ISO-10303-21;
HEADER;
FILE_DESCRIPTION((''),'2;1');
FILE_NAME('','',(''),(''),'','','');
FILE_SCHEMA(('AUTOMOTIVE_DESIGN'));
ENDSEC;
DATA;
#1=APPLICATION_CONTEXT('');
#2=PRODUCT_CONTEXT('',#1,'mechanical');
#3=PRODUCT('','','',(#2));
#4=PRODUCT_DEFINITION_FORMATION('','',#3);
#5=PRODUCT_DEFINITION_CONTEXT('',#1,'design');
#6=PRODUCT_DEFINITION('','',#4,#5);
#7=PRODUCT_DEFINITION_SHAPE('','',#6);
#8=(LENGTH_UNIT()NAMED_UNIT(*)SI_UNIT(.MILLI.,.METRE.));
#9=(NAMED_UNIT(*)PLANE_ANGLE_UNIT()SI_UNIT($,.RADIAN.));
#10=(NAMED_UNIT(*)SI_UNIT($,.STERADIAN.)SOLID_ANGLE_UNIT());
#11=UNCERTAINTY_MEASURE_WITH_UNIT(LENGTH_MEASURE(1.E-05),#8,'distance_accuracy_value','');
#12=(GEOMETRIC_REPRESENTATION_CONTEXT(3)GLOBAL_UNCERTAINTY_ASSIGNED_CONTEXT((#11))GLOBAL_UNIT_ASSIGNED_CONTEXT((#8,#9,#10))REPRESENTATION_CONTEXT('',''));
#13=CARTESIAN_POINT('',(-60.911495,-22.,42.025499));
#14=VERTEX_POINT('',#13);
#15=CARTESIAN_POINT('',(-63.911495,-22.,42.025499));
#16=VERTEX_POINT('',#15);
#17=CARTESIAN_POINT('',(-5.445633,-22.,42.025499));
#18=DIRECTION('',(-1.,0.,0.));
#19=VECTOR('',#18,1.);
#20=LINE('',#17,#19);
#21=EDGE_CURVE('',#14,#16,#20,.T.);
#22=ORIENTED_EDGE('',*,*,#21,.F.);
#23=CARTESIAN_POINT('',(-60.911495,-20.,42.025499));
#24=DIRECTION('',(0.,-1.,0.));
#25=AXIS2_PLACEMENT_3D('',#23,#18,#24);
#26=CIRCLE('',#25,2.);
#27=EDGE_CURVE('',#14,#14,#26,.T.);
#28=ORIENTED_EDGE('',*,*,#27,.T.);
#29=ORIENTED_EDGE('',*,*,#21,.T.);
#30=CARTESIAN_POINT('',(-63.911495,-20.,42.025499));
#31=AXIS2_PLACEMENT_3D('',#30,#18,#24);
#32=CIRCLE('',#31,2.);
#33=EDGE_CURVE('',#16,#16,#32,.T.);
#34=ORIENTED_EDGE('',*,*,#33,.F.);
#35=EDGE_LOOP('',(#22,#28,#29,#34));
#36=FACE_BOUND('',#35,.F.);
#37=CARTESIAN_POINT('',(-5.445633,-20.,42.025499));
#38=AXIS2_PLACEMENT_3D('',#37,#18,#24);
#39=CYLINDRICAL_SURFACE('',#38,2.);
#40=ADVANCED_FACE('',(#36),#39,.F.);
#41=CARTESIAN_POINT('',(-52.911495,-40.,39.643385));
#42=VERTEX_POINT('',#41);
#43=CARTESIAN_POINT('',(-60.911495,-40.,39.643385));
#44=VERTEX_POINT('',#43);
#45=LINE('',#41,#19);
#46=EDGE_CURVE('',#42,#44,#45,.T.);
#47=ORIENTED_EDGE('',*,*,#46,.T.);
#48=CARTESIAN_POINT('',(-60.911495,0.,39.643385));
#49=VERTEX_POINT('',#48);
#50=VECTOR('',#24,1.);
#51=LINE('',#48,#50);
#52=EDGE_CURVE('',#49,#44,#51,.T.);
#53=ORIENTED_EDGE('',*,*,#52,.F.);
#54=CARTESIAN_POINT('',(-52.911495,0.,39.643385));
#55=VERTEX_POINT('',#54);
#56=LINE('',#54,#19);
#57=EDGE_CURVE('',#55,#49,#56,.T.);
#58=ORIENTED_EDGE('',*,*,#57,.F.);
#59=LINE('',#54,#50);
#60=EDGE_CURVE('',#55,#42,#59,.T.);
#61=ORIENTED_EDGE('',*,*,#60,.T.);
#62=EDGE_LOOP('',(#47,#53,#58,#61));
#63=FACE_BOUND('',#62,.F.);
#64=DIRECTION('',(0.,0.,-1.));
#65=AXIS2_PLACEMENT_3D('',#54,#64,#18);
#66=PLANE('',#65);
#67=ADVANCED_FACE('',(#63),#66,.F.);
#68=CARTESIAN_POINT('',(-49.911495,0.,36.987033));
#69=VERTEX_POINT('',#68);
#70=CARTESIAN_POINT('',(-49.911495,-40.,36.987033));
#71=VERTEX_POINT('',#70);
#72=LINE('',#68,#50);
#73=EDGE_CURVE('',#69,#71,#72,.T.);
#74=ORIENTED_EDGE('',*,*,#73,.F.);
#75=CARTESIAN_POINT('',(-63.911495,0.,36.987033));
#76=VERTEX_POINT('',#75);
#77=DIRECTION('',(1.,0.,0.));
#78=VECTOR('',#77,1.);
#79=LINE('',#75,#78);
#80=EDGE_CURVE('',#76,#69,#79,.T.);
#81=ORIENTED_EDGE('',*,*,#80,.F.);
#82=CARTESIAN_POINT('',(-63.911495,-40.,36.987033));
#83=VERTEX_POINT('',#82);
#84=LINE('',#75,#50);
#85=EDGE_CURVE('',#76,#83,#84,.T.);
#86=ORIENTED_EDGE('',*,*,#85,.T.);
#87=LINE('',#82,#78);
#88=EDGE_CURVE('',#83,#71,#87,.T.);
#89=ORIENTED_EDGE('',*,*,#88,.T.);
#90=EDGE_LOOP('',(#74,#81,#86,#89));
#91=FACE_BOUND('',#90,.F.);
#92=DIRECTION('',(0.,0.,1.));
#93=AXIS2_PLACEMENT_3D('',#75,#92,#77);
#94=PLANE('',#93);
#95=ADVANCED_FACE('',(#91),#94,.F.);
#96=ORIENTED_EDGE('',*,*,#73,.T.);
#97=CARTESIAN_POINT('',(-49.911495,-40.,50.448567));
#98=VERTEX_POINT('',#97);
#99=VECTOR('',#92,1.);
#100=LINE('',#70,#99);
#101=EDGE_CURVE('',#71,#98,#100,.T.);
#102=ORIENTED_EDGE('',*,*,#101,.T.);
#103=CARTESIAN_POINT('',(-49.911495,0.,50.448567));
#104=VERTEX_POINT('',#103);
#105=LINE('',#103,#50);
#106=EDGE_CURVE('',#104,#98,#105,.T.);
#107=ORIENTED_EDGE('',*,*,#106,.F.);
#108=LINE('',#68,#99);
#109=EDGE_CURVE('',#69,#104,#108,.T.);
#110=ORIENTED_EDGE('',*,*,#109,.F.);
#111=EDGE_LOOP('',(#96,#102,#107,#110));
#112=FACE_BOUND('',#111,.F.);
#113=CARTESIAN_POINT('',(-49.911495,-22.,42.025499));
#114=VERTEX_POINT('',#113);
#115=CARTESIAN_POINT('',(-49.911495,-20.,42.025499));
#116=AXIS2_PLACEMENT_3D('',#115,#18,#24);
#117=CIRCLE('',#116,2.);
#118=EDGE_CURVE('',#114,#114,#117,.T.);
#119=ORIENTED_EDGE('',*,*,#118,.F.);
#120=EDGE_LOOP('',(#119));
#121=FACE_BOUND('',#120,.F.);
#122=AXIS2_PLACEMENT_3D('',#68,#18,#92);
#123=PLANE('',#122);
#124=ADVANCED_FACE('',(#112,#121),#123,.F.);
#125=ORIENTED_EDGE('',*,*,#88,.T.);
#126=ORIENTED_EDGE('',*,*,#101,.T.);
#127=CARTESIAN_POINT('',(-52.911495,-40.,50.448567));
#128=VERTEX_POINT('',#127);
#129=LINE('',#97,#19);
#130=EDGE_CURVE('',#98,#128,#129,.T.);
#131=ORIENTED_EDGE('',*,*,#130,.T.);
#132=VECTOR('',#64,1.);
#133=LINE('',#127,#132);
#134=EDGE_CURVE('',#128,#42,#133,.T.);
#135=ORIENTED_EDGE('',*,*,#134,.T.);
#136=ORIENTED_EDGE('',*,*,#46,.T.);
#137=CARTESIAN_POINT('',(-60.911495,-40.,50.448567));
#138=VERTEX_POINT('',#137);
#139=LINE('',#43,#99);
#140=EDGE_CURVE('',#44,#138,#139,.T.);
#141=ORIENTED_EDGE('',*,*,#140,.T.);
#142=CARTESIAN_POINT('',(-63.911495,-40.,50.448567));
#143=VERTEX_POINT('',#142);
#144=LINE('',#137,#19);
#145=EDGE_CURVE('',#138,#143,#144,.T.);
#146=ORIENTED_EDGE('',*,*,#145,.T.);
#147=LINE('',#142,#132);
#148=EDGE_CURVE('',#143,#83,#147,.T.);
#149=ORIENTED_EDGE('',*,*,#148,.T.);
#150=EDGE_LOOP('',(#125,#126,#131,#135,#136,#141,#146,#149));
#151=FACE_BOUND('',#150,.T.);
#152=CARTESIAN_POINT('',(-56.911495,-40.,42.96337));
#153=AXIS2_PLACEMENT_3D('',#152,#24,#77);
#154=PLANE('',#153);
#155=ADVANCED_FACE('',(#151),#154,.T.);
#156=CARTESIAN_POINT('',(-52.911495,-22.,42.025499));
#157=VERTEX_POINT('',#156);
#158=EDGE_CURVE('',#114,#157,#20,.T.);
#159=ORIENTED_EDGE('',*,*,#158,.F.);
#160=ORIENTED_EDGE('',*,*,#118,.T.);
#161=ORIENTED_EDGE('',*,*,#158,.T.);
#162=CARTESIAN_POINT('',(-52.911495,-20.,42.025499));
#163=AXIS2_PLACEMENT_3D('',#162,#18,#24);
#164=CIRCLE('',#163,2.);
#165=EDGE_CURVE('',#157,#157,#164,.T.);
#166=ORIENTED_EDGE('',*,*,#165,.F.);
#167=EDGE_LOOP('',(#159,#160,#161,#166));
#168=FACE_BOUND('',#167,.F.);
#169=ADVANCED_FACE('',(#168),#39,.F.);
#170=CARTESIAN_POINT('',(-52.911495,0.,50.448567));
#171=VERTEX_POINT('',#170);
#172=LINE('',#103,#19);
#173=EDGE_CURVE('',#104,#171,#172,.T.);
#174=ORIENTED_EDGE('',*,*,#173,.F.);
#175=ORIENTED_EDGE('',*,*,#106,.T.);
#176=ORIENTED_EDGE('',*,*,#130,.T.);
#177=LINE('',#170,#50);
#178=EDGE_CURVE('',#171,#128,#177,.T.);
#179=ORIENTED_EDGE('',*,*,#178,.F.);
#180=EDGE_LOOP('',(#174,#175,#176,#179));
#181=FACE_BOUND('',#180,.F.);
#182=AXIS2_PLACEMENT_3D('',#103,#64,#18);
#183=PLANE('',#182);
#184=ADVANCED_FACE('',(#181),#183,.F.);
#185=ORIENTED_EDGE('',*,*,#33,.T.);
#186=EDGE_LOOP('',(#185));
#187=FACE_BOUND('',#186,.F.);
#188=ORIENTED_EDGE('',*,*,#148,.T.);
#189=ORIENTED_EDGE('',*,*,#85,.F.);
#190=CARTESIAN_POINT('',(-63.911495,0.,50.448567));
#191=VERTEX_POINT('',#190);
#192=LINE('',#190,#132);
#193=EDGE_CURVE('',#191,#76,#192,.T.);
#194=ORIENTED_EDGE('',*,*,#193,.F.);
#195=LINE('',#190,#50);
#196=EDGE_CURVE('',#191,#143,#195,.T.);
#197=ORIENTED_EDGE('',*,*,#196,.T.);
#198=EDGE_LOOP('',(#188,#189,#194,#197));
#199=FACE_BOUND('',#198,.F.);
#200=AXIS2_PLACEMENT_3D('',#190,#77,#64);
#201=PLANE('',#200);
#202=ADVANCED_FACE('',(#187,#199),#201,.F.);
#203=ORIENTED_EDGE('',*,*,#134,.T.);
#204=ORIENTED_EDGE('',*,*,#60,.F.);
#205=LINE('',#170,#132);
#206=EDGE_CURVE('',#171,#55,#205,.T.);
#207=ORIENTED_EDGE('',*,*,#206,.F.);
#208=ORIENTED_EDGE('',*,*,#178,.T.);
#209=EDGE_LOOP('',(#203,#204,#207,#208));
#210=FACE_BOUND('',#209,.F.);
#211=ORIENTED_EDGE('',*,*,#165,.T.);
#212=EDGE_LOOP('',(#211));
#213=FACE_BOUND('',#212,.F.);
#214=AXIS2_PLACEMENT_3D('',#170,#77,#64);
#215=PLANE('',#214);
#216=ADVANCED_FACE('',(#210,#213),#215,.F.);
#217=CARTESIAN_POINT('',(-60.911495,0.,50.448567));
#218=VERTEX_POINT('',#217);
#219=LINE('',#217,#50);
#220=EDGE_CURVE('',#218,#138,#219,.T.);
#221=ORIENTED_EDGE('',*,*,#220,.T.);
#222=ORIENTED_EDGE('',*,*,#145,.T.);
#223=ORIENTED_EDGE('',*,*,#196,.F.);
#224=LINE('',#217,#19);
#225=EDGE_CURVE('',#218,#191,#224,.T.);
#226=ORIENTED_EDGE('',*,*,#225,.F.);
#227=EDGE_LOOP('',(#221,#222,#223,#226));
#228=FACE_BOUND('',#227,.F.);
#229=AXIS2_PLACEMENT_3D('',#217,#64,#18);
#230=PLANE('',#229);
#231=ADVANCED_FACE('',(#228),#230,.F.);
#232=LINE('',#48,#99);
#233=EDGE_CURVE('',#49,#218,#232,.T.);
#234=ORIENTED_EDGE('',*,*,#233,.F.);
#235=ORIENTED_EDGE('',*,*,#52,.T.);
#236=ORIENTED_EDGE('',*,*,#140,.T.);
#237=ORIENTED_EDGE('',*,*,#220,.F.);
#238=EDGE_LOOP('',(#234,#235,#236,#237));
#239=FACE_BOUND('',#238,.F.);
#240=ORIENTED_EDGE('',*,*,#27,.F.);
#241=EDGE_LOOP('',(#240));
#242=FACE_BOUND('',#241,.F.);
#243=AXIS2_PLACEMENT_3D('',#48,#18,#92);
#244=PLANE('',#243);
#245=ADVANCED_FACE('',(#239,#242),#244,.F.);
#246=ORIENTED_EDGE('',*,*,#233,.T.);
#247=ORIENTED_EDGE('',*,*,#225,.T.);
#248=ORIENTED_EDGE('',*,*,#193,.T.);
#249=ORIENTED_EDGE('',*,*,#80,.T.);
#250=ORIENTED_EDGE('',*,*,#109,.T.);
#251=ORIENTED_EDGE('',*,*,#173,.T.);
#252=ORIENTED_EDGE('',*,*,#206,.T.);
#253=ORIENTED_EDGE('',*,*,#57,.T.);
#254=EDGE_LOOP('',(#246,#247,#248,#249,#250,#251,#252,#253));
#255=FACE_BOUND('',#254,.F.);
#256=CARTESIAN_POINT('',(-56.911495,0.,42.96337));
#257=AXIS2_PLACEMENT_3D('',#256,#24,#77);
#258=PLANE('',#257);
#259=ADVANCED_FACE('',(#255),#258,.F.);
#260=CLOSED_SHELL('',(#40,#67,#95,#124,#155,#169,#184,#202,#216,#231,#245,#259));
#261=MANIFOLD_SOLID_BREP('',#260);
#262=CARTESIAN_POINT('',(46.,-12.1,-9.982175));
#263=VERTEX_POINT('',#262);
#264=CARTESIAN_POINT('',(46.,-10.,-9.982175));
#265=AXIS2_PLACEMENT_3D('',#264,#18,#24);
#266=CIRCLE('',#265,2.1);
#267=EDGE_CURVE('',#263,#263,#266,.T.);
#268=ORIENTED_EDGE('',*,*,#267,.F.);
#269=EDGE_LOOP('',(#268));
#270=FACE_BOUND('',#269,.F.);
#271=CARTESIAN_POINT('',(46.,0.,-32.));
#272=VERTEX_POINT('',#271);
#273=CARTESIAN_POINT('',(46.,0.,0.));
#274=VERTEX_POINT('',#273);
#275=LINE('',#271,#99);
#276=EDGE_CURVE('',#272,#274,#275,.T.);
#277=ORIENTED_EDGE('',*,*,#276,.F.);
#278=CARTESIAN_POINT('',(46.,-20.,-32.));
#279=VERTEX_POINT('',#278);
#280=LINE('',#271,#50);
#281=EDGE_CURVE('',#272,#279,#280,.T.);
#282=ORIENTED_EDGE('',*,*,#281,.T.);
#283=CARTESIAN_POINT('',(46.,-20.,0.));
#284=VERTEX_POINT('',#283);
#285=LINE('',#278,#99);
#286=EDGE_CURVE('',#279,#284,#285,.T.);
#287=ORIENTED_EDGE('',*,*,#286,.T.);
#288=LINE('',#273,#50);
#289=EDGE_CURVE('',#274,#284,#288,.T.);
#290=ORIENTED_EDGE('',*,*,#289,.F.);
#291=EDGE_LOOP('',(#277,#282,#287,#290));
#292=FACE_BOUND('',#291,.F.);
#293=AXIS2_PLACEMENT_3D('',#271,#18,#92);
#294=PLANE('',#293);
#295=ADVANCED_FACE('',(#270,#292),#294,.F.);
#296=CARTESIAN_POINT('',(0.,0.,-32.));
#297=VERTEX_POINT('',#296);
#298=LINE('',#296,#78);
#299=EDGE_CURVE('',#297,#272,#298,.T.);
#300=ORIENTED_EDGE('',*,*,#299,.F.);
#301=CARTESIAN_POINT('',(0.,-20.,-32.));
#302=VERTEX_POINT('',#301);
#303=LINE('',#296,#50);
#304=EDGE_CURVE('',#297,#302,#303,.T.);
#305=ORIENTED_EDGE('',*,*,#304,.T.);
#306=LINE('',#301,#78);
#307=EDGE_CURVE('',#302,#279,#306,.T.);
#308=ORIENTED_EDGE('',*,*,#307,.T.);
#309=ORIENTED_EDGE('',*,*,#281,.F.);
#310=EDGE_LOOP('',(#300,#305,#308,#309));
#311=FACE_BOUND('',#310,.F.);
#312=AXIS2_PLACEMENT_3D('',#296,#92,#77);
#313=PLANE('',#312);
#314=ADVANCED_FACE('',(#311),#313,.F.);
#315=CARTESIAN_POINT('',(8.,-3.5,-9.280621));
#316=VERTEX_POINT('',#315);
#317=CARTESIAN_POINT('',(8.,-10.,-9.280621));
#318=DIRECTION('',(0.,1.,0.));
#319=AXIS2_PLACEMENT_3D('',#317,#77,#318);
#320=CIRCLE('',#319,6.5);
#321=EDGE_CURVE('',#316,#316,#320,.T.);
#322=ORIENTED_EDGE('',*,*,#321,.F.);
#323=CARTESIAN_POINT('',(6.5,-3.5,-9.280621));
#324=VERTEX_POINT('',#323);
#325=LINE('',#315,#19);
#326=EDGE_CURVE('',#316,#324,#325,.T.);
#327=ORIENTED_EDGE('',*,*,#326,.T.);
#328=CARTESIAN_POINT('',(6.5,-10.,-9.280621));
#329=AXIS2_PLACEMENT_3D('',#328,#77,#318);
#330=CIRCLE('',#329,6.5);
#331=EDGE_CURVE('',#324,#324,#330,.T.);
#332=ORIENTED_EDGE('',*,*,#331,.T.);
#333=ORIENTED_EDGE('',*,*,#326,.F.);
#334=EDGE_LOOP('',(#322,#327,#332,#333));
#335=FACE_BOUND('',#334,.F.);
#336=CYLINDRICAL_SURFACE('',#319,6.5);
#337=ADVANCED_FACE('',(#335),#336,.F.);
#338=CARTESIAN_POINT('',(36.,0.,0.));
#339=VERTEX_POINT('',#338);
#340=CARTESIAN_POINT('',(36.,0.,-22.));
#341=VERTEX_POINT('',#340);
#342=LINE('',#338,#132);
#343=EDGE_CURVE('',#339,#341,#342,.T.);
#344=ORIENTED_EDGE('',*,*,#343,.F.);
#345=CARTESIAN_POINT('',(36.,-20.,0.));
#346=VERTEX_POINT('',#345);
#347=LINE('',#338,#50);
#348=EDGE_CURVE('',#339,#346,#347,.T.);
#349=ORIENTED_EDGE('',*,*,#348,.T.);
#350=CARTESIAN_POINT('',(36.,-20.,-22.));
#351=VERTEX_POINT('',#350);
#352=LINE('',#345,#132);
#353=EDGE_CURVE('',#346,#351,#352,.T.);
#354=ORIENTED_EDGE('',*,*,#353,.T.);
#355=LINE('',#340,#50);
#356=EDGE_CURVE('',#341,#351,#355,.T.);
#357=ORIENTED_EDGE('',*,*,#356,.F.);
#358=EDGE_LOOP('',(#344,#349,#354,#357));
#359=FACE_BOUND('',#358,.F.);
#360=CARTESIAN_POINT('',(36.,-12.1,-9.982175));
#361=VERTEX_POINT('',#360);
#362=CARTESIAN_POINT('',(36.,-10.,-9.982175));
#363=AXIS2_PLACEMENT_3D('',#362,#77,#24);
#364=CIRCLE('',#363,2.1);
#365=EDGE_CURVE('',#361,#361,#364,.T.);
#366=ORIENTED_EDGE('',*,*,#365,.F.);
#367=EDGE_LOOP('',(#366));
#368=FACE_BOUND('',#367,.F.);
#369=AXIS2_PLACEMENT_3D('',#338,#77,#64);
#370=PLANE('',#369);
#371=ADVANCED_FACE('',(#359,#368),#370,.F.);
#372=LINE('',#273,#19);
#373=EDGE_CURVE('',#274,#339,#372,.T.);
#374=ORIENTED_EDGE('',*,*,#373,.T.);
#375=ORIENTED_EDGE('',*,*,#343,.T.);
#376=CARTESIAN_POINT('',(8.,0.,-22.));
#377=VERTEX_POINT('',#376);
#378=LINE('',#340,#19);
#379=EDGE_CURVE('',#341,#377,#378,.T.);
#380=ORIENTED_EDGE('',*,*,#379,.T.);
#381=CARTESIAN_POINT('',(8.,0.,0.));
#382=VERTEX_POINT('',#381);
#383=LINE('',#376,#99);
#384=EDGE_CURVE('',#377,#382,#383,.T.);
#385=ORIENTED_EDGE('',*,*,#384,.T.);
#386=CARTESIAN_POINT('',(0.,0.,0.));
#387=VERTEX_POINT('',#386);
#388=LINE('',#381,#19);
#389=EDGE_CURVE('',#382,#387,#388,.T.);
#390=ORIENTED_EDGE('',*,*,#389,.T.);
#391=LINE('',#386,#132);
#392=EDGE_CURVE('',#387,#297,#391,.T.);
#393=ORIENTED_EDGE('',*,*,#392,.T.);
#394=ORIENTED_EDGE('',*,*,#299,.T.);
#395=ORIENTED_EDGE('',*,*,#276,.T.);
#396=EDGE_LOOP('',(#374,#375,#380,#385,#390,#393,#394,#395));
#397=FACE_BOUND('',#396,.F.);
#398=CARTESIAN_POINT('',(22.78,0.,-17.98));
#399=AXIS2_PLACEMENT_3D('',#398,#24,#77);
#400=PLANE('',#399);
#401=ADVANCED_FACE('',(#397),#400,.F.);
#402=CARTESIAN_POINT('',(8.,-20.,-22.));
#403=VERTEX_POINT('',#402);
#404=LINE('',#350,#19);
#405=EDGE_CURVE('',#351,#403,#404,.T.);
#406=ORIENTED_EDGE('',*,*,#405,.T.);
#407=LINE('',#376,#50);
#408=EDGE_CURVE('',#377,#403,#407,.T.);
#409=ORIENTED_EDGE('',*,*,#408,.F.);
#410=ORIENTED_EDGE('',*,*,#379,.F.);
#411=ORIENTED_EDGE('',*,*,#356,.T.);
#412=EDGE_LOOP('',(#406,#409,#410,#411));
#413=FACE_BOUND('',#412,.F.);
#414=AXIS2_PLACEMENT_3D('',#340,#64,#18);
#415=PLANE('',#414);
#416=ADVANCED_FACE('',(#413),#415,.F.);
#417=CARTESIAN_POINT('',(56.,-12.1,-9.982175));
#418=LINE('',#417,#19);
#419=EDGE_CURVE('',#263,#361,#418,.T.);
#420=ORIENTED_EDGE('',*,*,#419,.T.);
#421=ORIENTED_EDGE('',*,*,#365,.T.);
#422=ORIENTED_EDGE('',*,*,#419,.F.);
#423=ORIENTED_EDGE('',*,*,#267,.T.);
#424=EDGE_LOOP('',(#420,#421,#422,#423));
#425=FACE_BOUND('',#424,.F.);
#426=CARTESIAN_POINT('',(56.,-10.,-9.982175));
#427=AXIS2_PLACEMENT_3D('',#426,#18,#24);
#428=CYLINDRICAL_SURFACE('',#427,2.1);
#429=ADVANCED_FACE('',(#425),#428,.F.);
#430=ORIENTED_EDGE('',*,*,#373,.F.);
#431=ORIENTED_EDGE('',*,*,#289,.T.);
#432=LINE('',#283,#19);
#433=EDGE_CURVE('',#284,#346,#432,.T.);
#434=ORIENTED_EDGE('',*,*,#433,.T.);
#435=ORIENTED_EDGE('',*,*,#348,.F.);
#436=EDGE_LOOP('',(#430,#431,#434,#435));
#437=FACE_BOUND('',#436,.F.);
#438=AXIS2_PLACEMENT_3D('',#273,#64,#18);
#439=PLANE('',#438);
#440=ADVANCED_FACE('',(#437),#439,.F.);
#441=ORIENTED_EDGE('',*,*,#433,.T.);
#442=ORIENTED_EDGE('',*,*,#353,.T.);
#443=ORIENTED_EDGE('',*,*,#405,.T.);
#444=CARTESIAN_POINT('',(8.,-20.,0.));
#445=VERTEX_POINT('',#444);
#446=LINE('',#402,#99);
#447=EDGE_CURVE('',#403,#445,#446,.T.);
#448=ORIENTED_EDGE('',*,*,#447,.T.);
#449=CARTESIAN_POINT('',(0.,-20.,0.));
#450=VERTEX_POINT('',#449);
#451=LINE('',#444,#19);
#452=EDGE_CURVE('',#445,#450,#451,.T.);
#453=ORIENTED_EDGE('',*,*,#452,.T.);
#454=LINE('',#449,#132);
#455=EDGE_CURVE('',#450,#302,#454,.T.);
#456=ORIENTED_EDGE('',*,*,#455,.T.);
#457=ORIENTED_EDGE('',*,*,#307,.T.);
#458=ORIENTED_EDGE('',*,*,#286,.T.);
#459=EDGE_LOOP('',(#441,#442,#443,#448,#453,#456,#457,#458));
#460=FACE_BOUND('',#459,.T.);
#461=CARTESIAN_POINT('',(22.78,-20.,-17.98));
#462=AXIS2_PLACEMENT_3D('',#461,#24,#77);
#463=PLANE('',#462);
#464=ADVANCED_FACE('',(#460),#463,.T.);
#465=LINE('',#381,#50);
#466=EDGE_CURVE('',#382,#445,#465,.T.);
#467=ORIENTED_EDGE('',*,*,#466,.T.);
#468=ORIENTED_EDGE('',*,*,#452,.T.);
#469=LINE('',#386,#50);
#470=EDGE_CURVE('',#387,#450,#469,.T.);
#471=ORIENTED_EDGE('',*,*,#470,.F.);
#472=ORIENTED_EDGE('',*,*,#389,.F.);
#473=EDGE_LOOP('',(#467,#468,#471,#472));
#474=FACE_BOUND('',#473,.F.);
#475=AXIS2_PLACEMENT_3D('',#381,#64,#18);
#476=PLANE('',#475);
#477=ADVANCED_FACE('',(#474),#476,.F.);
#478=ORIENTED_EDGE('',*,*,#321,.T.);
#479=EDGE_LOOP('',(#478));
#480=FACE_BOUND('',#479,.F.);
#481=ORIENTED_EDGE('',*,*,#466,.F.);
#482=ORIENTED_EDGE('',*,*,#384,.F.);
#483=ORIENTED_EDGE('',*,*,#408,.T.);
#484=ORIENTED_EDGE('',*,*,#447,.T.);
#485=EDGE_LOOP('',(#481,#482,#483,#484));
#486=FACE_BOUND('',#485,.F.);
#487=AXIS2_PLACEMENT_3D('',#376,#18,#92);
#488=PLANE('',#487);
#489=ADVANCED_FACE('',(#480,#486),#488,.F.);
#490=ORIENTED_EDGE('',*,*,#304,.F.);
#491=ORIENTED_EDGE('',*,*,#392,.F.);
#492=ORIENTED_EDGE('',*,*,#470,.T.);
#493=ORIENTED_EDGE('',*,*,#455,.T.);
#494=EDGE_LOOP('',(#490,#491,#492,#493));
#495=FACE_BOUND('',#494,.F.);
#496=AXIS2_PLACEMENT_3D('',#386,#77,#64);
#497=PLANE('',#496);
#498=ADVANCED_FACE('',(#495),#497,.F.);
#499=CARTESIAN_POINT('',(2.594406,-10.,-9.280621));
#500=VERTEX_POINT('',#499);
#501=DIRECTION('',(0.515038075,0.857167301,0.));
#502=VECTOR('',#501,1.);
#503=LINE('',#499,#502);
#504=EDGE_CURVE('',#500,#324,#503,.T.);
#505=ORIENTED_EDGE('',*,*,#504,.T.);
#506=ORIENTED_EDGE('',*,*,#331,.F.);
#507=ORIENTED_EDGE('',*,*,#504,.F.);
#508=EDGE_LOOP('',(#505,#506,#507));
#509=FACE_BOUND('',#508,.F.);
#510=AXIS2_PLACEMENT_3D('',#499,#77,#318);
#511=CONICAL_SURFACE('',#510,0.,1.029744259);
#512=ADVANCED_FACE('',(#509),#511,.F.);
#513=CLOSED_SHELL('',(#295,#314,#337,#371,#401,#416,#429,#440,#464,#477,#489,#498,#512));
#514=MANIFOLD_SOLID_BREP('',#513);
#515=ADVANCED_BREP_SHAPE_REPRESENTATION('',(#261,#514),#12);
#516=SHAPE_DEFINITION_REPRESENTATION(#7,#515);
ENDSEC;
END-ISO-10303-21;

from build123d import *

# Parameters (mm, degrees)
F1_DEPTH = 20
F3_D     = 13
F3_DEPTH = 1.5
F3_TIP   = 3.9055940237
F5_D     = 4.2
F5_DEPTH = 10
F5_TIP   = 1.2618073
F7_DEPTH = 40
F9_D     = 4


with BuildPart() as f1:
    # F0 (on Front) → F1 (new body)
    with BuildSketch(Plane.XZ):
        Polygon((8, 0), (0, 0), (0, -32), (46, -32), (46, 0), (36, 0), (36, -22), (8, -22), align=None)
    extrude(amount=F1_DEPTH)

    # F3 (one way)
    with BuildSketch(Plane.YZ.offset(8)):
        with Locations((-10, -9.2806210741)):
            Circle(F3_D / 2)
    extrude(amount=-F3_DEPTH, mode=Mode.SUBTRACT)
    with Locations(Plane.YZ.offset(8)):
        with Locations((-10, -9.2806210741)):
            with Locations((0, 0, -(F3_DEPTH + F3_TIP / 2))):  # 118° drill point
                Cone(0, F3_D / 2, F3_TIP, mode=Mode.SUBTRACT)

    # F5
    with Locations(Plane.YZ.offset(46)):
        with Locations((-10, -9.9821751937)):
            Hole(F5_D / 2, depth=F5_DEPTH)
            with Locations((0, 0, -(F5_DEPTH + F5_TIP / 2))):  # 118° drill point
                Cone(0, F5_D / 2, F5_TIP, mode=Mode.SUBTRACT)


with BuildPart() as f7:
    # F6 (on Front) → F7 (new body)
    with BuildSketch(Plane.XZ):
        Polygon((-60.9114952385, 50.4485665456), (-63.9114952385, 50.4485665456), (-63.9114952385, 36.9870328709), (-49.9114952385, 36.9870328709), (-49.9114952385, 50.4485665456), (-52.9114952385, 50.4485665456), (-52.9114952385, 39.6433845162), (-60.9114952385, 39.6433845162), align=None)
    extrude(amount=F7_DEPTH)

    # F9 (through all)
    with Locations(Plane.YZ.offset(-49.9114952385)):
        with Locations((-20, 42.0254990458)):
            Hole(F9_D / 2)


solid = Compound([f1.part, f7.part])
